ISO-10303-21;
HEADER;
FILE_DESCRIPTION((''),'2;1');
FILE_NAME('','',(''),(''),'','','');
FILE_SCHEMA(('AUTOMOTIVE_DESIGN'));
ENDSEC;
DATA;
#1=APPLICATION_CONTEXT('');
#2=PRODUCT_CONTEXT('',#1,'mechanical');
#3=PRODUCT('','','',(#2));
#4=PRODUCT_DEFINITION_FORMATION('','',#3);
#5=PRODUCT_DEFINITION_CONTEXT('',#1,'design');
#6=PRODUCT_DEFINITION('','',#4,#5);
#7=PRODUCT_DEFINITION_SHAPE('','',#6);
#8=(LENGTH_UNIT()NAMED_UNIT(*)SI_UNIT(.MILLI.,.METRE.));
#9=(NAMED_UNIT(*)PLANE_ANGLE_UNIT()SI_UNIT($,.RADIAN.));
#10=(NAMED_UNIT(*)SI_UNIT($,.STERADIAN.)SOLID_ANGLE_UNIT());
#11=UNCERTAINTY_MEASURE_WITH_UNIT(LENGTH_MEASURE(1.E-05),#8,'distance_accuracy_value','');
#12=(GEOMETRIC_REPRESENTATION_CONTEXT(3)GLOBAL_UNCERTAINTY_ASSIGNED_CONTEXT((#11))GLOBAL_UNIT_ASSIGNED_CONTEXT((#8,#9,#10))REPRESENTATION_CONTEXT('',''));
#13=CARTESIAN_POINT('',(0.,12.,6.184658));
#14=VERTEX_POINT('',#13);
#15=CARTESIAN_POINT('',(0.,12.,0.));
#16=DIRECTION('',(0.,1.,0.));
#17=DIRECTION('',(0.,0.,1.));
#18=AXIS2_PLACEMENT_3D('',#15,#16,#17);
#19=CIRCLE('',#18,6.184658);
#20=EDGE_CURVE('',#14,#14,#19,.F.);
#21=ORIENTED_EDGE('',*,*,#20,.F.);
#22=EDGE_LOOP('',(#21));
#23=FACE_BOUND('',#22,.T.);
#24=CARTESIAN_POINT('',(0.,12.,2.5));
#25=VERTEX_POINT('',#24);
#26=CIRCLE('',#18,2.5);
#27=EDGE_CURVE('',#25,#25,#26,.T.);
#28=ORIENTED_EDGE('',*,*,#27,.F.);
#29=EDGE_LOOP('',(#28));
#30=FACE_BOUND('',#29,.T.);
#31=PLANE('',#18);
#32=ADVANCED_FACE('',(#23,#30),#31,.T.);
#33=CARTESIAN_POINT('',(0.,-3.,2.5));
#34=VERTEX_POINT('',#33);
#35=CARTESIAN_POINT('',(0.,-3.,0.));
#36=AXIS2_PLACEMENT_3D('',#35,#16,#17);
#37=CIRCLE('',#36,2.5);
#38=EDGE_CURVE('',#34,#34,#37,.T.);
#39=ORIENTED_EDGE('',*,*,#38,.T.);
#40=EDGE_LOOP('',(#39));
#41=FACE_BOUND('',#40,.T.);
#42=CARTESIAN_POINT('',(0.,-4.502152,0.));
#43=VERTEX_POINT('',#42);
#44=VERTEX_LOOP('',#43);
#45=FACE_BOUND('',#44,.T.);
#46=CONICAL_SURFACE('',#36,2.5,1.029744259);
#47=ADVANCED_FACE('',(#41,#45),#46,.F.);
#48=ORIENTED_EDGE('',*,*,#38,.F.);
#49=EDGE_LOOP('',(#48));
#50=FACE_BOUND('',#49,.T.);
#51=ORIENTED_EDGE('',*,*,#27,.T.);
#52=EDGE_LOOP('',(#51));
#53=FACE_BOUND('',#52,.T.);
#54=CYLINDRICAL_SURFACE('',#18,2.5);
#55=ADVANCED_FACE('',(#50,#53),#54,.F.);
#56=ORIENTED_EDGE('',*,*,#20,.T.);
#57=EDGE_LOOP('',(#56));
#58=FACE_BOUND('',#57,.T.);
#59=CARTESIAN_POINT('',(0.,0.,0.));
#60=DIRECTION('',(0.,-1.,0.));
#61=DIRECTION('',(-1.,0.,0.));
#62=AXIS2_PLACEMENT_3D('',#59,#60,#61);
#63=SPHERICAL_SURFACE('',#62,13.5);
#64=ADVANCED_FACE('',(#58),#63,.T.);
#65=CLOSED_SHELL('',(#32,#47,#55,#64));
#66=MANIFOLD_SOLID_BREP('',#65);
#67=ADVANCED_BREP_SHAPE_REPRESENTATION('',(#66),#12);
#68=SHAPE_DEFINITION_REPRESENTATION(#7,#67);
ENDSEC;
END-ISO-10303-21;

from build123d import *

# Parameters (mm, degrees)
SKETCH_2_R             = 15.938729937
CUT_EXTRUDE_1_DEPTH    = 10
HOLE_WIZARD_M6_1_D     = 5
HOLE_WIZARD_M6_1_DEPTH = 15
HOLE_WIZARD_M6_1_TIP   = 1.502151548


with BuildPart() as part:
    # 草图1 → 旋转1 (revolve)
    with BuildSketch(Plane.XY):
        with BuildLine():
            Line((0, 13.5), (0, -13.5))
            ThreePointArc((0, -13.5), (13.5, 0), (0, 13.5))
        make_face()
    revolve(axis=Axis((0, 0, 0), (0, 1, 0)))

    # 草图2 → 切除-拉伸1 (cut)
    with BuildSketch(Plane(origin=(0, 12, 0), x_dir=(-1, 0, 0), z_dir=(0, 1, 0))):
        Circle(SKETCH_2_R)
    extrude(amount=CUT_EXTRUDE_1_DEPTH, mode=Mode.SUBTRACT)

    # M6 螺纹孔1
    with Locations(Plane(origin=(0, 12, 0), x_dir=(-1, 0, 0), z_dir=(0, 1, 0))):
        with Locations((0, 0)):
            Hole(HOLE_WIZARD_M6_1_D / 2, depth=HOLE_WIZARD_M6_1_DEPTH)
            with Locations((0, 0, -(HOLE_WIZARD_M6_1_DEPTH + HOLE_WIZARD_M6_1_TIP / 2))):  # 118° drill point
                Cone(0, HOLE_WIZARD_M6_1_D / 2, HOLE_WIZARD_M6_1_TIP, mode=Mode.SUBTRACT)


solid = part.part
